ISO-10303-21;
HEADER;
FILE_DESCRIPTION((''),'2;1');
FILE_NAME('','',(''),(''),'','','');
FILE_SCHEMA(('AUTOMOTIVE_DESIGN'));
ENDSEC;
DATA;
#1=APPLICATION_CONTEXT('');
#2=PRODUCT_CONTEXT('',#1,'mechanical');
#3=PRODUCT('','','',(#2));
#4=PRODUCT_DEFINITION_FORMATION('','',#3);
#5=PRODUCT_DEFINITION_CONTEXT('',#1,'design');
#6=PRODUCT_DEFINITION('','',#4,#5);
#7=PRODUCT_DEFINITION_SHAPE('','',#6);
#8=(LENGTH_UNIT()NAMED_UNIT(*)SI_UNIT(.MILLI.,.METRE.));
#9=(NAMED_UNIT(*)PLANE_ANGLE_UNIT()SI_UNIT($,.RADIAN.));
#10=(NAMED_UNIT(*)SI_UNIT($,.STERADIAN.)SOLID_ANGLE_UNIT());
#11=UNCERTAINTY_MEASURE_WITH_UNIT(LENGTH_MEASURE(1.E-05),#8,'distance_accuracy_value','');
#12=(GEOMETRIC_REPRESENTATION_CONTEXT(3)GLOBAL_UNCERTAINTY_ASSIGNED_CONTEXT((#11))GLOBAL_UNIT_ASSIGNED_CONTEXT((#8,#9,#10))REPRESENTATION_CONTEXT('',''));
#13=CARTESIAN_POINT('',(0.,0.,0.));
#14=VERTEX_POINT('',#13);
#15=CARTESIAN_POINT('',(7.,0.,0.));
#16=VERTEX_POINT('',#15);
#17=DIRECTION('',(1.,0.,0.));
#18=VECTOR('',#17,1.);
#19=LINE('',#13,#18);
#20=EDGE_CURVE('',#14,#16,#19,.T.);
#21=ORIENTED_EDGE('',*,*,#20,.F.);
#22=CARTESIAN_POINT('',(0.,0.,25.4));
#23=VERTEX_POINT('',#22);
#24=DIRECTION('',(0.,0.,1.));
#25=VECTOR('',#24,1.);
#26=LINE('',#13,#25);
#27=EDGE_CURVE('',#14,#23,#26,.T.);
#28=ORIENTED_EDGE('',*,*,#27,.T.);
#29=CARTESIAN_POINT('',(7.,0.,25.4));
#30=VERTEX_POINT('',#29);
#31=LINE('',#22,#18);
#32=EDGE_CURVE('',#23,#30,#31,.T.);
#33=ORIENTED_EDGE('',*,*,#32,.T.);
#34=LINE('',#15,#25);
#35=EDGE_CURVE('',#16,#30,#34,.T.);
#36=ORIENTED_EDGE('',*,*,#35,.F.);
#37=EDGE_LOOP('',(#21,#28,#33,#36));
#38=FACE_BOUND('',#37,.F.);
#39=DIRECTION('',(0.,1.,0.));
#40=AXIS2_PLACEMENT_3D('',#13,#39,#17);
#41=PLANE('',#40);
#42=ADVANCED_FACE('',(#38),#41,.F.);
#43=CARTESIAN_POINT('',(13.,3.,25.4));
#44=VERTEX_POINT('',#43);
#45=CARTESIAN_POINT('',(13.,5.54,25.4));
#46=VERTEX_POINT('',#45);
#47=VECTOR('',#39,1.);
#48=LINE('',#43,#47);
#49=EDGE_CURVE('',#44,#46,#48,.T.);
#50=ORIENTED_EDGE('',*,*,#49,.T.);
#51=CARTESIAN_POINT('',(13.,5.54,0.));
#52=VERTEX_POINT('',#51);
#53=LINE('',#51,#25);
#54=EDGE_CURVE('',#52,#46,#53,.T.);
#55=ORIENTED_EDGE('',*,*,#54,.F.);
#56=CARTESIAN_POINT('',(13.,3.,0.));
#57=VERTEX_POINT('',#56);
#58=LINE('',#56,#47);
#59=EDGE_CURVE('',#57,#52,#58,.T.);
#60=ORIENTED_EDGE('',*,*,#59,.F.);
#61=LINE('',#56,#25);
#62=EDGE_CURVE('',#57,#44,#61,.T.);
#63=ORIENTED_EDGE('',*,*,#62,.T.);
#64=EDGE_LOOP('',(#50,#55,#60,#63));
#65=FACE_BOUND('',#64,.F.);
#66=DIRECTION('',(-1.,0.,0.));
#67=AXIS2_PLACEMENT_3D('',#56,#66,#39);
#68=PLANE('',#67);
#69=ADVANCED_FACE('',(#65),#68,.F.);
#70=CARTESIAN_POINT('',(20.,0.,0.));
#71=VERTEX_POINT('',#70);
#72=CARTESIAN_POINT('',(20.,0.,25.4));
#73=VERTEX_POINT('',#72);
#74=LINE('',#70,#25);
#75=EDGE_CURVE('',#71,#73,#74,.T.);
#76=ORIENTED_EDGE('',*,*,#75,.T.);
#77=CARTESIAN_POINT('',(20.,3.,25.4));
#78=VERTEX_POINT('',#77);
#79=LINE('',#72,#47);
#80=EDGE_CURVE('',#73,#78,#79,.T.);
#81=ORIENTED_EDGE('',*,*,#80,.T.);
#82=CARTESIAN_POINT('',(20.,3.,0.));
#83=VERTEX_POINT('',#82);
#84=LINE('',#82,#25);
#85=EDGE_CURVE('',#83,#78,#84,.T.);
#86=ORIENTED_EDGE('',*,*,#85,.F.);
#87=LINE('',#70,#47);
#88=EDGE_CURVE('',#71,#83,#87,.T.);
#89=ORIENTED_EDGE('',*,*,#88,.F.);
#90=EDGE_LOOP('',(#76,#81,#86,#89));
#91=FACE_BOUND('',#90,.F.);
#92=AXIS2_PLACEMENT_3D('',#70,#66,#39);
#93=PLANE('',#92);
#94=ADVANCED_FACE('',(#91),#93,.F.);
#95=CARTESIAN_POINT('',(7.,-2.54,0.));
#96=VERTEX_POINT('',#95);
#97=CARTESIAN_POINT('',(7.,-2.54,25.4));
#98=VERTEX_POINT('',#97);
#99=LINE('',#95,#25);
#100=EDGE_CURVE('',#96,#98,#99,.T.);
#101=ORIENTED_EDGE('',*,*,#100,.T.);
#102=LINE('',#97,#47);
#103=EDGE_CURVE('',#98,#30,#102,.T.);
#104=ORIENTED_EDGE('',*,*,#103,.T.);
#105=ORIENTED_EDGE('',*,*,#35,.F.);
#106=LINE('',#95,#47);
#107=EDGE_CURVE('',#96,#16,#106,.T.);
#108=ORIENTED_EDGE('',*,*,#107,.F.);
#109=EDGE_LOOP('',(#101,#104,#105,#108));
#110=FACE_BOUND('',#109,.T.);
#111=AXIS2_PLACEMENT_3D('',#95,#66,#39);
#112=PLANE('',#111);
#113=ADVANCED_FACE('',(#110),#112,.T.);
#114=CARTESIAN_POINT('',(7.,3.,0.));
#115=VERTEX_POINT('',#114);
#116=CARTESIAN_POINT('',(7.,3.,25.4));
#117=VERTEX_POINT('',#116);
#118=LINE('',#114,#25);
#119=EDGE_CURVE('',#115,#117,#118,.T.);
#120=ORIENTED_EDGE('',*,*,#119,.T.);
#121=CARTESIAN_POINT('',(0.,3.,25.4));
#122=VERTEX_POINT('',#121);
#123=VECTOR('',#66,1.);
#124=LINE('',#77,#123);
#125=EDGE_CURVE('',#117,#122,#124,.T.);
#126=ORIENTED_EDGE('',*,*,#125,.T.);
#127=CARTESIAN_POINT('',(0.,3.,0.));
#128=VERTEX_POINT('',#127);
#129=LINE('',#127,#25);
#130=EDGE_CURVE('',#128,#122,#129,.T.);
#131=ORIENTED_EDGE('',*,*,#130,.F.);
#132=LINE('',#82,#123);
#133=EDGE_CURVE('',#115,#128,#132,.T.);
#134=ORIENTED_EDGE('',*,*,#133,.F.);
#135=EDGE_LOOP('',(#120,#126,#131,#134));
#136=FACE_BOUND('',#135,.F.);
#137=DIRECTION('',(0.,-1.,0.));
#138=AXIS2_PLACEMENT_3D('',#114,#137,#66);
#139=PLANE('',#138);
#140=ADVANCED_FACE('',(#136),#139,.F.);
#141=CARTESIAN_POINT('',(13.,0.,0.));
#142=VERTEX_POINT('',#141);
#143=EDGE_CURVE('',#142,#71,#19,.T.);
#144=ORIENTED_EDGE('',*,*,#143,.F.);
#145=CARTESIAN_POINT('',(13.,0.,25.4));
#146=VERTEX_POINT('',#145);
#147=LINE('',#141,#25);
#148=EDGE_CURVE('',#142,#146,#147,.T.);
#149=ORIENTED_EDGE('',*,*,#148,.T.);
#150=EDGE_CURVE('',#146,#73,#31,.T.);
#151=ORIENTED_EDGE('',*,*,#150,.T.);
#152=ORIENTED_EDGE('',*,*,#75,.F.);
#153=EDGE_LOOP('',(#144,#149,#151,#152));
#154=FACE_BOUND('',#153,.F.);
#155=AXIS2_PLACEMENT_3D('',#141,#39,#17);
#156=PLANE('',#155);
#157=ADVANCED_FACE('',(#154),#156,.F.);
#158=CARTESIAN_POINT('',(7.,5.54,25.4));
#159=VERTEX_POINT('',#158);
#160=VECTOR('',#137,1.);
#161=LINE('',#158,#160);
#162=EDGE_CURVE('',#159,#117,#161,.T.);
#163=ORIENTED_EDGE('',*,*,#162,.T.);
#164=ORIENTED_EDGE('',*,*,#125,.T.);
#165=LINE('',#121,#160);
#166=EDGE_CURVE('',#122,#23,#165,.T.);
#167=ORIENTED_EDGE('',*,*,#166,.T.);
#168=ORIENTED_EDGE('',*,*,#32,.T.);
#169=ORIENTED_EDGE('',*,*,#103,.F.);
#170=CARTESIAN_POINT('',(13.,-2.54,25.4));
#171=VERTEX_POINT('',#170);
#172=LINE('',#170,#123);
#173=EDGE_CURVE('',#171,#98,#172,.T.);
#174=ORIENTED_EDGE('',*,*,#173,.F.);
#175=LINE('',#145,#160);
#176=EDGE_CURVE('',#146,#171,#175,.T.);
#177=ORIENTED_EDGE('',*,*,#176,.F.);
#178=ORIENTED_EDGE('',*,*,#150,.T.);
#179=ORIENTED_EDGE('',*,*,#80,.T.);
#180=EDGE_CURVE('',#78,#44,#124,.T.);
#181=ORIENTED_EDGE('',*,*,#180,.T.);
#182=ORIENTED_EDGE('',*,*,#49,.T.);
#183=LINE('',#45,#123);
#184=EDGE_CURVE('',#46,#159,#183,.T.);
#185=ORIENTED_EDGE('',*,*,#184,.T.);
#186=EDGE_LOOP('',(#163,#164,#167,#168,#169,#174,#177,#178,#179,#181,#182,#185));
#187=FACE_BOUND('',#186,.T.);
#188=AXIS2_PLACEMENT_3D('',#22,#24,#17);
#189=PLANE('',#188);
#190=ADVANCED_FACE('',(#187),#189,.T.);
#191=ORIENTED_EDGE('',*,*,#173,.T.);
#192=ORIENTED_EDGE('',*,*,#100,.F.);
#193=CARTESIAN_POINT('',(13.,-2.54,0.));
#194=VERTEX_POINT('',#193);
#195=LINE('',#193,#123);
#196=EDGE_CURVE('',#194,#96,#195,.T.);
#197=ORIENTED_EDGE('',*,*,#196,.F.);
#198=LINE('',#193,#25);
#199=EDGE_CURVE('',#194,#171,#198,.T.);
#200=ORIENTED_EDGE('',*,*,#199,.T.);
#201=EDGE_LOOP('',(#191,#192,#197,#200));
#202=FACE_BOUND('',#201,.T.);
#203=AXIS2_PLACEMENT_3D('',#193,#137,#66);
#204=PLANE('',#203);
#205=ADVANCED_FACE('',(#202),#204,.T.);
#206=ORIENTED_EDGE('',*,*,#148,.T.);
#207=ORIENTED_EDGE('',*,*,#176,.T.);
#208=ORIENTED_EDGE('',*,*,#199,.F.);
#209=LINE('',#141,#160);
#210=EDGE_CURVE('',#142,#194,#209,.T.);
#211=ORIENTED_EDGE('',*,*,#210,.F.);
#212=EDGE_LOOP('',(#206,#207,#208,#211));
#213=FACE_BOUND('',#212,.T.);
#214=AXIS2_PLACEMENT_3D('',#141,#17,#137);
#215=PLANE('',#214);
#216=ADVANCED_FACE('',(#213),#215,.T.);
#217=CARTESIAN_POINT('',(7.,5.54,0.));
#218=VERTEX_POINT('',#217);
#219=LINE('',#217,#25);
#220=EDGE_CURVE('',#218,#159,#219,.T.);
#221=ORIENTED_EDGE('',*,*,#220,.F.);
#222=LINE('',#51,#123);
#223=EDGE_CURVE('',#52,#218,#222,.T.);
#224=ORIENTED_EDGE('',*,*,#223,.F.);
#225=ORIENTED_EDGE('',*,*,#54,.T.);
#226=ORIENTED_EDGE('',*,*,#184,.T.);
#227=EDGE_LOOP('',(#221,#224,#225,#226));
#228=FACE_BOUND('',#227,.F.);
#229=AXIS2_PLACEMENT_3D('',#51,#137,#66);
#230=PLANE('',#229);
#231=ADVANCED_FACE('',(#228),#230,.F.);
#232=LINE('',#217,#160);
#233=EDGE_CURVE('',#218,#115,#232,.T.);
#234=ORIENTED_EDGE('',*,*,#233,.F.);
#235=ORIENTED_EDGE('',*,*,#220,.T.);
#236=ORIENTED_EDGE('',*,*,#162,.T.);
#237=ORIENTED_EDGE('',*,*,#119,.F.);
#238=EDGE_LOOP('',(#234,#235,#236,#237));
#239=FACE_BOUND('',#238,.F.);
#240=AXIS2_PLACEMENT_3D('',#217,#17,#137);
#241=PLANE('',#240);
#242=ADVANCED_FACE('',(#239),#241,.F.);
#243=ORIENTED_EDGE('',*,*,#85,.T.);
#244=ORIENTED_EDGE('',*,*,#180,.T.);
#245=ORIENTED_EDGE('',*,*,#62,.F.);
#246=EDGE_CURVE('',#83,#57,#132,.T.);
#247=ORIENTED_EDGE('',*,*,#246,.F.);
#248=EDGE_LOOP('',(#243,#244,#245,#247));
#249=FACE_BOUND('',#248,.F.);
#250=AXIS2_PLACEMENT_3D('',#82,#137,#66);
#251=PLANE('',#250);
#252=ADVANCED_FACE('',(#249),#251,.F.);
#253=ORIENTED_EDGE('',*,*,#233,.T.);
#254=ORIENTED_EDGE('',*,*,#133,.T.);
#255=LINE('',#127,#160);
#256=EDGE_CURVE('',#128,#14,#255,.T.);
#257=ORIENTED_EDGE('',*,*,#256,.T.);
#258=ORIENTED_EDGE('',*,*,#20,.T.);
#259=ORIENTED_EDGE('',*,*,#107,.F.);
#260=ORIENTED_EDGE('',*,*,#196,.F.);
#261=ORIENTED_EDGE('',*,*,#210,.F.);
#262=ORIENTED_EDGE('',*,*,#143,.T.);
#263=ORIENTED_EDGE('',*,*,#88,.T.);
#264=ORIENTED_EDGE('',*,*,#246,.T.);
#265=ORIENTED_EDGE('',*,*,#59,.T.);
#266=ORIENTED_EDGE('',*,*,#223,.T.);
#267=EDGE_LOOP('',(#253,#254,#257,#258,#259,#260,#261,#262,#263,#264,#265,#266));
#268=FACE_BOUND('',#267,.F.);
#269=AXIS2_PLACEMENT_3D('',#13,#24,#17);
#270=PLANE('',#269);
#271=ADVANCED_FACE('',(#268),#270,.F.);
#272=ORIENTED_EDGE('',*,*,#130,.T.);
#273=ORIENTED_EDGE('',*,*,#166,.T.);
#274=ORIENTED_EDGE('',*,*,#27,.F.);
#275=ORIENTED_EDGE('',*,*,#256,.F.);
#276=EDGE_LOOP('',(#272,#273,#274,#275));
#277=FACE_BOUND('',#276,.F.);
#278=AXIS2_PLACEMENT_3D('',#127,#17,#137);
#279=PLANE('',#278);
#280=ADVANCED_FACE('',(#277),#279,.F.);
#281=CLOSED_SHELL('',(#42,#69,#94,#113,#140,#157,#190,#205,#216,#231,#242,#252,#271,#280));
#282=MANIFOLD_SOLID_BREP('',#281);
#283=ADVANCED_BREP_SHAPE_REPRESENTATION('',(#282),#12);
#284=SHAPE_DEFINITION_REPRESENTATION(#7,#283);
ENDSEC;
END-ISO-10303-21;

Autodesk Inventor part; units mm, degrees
ref_plane "YZ Plane" through (0, 0, 0) normal (1, 0, 0) x (0, 1, 0)
ref_plane "XZ Plane" through (0, 0, 0) normal (0, 1, 0) x (-1, 0, 0)
sketch "Sketch1" plane through (0, 0, 0) normal (0, 0, 1) x (1, 0, 0)
  line L0 (0, 0) -> (20, 0)
  line L1 (20, 0) -> (20, 3)
  line L2 (20, 3) -> (0, 3)
  line L3 (0, 3) -> (0, 0)
  line L4 (7, 3) -> (13, 3)
  line L5 (13, 3) -> (13, 5.54)
  line L6 (13, 5.54) -> (7, 5.54)
  line L7 (7, 5.54) -> (7, 3)
  line L8 (7, 0) -> (13, 0)
  line L9 (13, 0) -> (13, -2.54)
  line L10 (13, -2.54) -> (7, -2.54)
  line L11 (7, -2.54) -> (7, 0)
  dimension "d0" = 20
  dimension "d1" = 3
  dimension "d2" = 6
  dimension "d3" = 2.54
  dimension "d4" = 6
  dimension "d5" = 2.54
  dimension "d6" = 7
  dimension "d7" = 7
extrude "Extrusion1" add sketch "Sketch1" along normal blind 25.4
ref_plane "Work Plane1" through (10, 3, 0) normal (1, 0, 0) x (0, 0, -1)
properties part number "Lift Slider"
